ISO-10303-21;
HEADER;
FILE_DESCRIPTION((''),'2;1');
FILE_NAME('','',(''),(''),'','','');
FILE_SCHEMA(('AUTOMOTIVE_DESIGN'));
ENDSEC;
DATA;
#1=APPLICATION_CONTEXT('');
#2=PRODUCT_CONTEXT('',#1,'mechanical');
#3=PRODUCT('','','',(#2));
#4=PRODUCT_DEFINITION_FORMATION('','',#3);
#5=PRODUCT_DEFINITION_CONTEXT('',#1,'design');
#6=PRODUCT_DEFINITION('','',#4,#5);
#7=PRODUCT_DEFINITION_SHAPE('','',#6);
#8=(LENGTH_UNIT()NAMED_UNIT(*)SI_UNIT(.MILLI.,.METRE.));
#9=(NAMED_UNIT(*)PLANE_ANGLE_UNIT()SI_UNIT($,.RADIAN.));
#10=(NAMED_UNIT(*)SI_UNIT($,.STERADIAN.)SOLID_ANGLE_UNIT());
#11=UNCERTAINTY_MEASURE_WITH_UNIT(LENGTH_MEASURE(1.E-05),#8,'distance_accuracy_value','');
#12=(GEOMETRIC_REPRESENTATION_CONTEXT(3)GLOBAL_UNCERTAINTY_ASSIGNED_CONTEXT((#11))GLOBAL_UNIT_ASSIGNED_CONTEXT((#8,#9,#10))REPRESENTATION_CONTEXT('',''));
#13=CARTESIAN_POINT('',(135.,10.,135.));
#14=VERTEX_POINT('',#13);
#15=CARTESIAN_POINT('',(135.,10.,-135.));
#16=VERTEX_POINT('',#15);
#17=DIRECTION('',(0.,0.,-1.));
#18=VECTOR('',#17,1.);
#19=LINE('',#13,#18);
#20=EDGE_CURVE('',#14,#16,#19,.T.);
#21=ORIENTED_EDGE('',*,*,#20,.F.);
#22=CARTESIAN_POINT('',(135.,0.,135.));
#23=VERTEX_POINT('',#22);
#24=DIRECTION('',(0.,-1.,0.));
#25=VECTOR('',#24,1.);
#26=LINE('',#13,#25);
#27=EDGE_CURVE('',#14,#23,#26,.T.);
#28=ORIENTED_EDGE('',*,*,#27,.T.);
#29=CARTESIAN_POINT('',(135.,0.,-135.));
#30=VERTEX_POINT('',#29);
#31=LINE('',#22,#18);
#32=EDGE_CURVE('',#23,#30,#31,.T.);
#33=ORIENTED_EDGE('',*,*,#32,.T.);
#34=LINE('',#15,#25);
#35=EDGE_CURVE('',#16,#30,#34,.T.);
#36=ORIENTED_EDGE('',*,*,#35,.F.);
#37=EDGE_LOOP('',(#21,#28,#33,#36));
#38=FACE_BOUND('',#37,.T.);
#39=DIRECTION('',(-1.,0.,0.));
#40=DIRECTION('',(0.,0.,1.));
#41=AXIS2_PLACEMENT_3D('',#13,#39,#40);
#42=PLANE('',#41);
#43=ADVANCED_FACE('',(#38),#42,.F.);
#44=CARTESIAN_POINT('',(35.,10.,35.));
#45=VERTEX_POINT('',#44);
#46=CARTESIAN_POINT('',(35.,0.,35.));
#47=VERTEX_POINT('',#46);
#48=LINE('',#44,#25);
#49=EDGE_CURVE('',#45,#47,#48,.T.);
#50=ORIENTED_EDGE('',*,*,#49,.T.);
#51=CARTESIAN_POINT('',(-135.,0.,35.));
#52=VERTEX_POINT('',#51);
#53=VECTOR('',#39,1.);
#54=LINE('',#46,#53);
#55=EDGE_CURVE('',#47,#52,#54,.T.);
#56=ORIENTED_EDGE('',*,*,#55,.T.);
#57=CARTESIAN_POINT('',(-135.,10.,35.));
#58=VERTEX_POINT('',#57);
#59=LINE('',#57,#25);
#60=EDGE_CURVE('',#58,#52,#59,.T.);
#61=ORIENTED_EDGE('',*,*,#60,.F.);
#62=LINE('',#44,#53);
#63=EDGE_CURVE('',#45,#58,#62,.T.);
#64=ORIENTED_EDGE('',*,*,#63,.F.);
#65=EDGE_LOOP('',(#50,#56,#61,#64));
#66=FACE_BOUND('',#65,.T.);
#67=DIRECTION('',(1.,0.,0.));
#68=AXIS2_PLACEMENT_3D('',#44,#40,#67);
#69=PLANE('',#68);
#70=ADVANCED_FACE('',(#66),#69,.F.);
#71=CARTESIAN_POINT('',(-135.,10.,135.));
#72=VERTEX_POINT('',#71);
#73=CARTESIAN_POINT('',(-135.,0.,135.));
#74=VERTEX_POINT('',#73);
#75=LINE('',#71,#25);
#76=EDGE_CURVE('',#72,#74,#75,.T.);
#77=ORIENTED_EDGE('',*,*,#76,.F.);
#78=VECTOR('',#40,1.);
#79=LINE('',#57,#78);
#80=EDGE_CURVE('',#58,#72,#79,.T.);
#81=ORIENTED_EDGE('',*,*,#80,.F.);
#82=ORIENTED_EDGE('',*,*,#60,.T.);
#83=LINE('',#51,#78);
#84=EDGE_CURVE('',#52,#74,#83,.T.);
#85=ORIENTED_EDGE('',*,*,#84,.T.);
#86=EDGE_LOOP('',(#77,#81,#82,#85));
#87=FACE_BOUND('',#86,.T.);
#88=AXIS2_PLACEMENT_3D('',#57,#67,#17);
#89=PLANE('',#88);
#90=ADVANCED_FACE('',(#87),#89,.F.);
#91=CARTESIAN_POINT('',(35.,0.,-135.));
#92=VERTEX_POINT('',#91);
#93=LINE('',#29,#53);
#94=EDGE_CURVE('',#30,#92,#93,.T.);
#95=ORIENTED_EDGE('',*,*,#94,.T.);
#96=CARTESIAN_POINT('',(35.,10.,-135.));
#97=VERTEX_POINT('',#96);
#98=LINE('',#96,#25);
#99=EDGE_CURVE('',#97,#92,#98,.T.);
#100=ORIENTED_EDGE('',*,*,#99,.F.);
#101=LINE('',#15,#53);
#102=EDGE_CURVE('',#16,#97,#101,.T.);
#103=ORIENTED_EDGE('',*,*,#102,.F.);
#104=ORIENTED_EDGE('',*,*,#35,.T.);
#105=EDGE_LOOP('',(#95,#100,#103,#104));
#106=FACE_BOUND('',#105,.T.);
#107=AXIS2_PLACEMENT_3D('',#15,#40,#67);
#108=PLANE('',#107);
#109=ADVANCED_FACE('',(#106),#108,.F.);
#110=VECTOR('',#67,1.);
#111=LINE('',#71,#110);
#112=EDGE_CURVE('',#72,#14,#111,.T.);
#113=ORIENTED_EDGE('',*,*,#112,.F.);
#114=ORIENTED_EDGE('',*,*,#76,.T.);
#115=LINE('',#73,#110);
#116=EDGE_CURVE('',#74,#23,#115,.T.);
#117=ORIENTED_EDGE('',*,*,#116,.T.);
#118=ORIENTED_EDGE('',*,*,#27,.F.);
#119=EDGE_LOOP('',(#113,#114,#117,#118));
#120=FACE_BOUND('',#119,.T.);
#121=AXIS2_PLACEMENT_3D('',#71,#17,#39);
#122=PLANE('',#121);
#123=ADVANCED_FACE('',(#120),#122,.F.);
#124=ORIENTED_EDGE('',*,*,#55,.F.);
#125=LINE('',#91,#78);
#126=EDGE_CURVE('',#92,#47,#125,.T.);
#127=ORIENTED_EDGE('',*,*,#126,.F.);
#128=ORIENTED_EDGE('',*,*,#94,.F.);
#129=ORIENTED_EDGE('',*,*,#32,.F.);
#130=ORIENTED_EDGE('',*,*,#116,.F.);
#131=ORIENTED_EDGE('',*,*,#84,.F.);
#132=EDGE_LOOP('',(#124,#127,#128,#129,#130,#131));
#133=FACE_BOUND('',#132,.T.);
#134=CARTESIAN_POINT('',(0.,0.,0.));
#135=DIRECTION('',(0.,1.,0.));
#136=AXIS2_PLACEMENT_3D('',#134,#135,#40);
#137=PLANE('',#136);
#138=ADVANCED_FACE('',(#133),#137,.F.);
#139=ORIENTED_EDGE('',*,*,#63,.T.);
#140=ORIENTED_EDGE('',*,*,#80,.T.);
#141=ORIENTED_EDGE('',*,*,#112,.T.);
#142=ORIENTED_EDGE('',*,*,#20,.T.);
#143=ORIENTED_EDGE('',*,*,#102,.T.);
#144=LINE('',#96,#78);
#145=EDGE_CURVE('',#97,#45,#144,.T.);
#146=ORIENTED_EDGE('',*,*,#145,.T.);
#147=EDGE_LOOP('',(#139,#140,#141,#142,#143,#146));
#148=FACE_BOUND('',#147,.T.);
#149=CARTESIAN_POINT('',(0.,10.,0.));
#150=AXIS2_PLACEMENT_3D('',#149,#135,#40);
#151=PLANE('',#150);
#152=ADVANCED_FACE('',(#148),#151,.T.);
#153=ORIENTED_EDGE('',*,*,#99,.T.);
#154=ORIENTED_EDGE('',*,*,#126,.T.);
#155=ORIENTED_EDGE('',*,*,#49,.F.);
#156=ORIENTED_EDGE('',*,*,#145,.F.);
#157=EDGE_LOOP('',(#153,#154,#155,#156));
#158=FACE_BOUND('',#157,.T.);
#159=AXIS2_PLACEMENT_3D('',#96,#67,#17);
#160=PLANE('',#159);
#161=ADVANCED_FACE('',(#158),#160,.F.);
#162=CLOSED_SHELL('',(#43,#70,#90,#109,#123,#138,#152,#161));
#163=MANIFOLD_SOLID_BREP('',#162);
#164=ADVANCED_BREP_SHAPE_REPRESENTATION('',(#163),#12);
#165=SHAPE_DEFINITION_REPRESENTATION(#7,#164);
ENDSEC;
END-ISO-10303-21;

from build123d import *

# Parameters (mm, degrees)
BOSS_EXTRUDE1_DEPTH = 10


with BuildPart() as part:
    # Sketch1 → Boss-Extrude1 (new body)
    with BuildSketch(Plane(origin=(0, 0, 0), x_dir=(1, 0, 0), z_dir=(0, 1, 0))):
        Polygon((-135, -135), (135, -135), (135, 135), (35, 135), (35, -35), (-135, -35), align=None)
    extrude(amount=BOSS_EXTRUDE1_DEPTH)


solid = part.part
